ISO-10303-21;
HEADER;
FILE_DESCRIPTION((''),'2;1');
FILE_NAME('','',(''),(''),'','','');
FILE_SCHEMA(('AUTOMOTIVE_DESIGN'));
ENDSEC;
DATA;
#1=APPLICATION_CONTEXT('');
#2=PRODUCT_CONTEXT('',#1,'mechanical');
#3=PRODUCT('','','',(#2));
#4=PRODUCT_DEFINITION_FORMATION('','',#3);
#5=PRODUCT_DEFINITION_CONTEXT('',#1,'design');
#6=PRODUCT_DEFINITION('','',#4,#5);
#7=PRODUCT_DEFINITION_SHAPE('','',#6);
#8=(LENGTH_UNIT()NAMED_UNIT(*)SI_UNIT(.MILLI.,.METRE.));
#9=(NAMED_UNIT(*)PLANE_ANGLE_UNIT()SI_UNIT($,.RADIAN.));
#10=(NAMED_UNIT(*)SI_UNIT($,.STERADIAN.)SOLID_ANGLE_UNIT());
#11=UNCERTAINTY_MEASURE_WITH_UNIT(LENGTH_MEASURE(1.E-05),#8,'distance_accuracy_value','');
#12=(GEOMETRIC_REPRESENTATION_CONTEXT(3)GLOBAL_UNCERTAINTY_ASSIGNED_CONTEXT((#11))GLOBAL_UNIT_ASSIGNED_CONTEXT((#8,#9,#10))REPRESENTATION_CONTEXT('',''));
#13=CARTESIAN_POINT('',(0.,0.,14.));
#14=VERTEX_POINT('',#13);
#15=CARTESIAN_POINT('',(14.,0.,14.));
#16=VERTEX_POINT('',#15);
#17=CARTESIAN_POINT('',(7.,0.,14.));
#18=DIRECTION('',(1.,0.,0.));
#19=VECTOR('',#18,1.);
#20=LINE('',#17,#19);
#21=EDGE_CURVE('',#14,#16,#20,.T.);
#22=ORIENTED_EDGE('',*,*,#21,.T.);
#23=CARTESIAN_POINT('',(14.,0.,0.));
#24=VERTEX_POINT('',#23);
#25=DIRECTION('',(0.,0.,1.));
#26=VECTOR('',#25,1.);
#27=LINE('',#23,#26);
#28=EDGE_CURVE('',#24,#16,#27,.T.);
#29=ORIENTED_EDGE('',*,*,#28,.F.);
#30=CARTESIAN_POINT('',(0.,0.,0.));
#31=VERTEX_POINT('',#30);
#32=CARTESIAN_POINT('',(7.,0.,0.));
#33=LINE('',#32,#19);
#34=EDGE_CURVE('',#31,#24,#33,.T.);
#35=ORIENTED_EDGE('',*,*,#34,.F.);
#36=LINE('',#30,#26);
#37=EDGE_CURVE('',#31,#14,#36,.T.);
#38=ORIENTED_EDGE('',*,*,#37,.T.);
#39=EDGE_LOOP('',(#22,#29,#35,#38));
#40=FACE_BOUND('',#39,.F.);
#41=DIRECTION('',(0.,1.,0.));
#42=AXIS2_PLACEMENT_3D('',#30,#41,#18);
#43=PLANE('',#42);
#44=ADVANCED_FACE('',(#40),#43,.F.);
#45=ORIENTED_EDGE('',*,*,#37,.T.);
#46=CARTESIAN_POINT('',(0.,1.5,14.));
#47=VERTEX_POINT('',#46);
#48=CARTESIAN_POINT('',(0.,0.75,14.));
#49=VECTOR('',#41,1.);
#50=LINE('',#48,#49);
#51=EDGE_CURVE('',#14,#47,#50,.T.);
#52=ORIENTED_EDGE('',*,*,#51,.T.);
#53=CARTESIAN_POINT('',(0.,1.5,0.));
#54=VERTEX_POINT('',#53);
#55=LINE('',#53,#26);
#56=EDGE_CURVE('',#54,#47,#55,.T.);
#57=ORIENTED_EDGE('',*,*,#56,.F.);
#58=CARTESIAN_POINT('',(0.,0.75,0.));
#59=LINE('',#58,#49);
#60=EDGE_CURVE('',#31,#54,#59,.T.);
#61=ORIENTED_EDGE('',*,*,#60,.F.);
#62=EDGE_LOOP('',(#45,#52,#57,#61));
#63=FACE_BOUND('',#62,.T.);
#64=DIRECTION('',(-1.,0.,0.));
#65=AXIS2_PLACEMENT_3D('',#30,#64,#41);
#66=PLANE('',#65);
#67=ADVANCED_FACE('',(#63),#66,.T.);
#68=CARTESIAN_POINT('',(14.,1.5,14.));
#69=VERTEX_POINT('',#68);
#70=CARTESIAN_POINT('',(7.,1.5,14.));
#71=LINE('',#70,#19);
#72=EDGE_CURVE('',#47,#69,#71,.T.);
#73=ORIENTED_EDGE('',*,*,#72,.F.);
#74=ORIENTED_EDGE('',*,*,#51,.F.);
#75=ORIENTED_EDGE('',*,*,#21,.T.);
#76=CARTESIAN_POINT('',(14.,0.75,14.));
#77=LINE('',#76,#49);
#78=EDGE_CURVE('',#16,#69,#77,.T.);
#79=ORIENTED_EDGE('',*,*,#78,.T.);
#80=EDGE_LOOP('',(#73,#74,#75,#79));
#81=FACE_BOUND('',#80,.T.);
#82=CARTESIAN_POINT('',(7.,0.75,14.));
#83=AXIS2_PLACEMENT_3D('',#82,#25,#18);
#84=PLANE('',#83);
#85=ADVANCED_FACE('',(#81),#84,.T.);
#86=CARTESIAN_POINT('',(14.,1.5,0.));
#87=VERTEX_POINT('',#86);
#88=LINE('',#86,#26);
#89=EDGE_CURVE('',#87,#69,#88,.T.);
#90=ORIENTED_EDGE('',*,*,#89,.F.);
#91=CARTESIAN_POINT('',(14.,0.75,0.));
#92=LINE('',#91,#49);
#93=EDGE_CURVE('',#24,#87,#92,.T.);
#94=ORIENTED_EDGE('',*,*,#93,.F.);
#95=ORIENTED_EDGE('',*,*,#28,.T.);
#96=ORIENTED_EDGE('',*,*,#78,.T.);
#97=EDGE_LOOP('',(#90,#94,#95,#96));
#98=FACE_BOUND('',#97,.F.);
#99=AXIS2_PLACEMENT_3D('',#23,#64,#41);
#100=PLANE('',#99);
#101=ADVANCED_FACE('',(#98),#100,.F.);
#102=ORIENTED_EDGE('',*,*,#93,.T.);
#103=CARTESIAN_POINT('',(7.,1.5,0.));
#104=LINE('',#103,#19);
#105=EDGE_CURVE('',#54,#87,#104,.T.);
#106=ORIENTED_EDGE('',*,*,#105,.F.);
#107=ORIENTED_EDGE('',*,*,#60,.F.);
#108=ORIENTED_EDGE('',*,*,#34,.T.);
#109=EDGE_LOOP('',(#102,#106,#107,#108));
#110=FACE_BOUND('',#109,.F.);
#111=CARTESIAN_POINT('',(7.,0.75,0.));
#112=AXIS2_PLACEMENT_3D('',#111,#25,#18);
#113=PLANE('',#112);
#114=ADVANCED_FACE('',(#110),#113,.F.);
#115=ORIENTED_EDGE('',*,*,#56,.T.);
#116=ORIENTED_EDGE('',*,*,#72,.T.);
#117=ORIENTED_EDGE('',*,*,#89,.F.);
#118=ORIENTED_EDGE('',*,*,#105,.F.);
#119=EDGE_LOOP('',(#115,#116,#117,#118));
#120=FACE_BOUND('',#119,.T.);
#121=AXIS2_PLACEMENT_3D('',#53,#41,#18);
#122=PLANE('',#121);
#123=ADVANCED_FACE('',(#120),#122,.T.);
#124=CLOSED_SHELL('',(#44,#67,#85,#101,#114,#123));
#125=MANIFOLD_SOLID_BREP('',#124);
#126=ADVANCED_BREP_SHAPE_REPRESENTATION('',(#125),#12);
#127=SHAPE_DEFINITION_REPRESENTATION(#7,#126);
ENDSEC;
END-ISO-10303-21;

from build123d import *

# Parameters (mm, degrees)
BOX_W     = 14
BOX_H     = 1.5
BOX_DEPTH = 14


with BuildPart() as part:
    # Box → Box (new body)
    with BuildSketch(Plane.XY):
        with Locations((7, 0.75)):
            Rectangle(BOX_W, BOX_H)
    extrude(amount=BOX_DEPTH)


solid = part.part
